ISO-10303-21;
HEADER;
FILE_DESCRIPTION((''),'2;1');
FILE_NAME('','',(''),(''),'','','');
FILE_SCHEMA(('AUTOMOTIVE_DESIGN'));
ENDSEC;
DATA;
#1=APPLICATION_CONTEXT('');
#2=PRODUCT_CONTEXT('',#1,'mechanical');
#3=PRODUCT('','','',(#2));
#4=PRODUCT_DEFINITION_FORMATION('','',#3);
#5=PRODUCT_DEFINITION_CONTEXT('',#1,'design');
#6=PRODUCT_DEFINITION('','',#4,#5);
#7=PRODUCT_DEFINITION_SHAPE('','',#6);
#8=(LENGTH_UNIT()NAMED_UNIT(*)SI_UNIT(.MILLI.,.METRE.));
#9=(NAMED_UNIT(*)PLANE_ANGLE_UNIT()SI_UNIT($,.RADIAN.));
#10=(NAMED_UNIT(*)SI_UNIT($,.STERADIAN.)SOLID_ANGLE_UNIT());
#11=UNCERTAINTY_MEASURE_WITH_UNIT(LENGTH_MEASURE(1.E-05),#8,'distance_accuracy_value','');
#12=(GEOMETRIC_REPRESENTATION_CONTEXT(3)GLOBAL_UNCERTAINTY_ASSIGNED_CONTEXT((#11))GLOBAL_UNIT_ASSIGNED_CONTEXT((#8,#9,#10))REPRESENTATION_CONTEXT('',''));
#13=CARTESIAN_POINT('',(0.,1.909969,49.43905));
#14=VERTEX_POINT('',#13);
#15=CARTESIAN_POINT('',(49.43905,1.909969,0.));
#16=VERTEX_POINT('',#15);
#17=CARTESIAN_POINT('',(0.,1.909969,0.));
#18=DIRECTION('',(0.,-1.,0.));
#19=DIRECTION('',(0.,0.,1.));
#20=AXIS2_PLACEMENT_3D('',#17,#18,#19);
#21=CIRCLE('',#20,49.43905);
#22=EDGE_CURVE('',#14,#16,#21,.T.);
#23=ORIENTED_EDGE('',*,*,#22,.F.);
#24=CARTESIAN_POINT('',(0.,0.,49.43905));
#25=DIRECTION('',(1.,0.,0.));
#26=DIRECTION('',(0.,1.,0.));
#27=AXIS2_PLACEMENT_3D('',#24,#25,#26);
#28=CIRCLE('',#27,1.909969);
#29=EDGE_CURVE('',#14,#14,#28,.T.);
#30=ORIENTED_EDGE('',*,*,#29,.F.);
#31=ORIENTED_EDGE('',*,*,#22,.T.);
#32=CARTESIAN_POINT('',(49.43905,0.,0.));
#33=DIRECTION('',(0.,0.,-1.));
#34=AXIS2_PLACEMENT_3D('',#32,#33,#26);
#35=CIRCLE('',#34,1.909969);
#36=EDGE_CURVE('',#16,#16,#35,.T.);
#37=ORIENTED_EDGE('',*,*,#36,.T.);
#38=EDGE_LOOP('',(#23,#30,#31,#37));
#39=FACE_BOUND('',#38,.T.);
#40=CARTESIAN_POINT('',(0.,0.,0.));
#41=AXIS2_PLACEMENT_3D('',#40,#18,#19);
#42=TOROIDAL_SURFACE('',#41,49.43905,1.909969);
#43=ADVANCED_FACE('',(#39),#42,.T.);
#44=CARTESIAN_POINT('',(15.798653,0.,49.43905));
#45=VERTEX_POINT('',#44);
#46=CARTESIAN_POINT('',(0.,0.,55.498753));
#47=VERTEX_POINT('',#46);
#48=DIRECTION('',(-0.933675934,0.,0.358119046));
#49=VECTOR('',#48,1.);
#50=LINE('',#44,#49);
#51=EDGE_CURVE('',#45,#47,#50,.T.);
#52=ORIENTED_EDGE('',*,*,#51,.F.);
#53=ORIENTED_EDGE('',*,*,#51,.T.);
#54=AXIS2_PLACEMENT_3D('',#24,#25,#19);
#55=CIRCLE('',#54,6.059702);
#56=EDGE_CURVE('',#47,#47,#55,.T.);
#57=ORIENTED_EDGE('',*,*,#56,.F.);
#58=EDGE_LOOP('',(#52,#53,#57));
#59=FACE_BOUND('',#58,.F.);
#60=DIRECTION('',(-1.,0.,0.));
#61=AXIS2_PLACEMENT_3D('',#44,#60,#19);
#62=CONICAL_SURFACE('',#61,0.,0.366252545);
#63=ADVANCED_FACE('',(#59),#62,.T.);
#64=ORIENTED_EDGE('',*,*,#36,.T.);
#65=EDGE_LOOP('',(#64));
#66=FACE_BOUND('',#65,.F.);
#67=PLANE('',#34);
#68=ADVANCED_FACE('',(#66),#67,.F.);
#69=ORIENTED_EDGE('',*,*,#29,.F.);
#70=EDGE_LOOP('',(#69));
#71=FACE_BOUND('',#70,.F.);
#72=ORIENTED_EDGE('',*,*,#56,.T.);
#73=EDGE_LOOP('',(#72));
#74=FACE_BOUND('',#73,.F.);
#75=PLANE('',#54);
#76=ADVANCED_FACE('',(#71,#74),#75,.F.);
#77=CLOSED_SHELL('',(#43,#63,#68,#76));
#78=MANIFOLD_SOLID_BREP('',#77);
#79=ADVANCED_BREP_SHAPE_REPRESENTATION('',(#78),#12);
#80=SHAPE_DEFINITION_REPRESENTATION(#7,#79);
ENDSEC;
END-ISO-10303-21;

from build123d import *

# Parameters (mm, degrees)
F0_R     = 1.9099686796
F1_ANGLE = 270


with BuildPart() as f1:
    # F0 (on Right) → F1 (revolve)
    with BuildSketch(Plane.YZ):
        with Locations((0, 49.4390502572)):
            Circle(F0_R)
    revolve(axis=Axis((0, 1.7623687163, 0), (0, -1, 0)), revolution_arc=F1_ANGLE)

    # F2 (on Front) → F3 (revolve)
    with BuildSketch(Plane.XZ):
        Polygon((0, 55.498752743), (0, 49.4390502572), (15.7986525446, 49.4390502572), align=None)
    revolve(axis=Axis((7.8993262723, 0, 49.4390502572), (1, 0, 0)))


solid = f1.part
